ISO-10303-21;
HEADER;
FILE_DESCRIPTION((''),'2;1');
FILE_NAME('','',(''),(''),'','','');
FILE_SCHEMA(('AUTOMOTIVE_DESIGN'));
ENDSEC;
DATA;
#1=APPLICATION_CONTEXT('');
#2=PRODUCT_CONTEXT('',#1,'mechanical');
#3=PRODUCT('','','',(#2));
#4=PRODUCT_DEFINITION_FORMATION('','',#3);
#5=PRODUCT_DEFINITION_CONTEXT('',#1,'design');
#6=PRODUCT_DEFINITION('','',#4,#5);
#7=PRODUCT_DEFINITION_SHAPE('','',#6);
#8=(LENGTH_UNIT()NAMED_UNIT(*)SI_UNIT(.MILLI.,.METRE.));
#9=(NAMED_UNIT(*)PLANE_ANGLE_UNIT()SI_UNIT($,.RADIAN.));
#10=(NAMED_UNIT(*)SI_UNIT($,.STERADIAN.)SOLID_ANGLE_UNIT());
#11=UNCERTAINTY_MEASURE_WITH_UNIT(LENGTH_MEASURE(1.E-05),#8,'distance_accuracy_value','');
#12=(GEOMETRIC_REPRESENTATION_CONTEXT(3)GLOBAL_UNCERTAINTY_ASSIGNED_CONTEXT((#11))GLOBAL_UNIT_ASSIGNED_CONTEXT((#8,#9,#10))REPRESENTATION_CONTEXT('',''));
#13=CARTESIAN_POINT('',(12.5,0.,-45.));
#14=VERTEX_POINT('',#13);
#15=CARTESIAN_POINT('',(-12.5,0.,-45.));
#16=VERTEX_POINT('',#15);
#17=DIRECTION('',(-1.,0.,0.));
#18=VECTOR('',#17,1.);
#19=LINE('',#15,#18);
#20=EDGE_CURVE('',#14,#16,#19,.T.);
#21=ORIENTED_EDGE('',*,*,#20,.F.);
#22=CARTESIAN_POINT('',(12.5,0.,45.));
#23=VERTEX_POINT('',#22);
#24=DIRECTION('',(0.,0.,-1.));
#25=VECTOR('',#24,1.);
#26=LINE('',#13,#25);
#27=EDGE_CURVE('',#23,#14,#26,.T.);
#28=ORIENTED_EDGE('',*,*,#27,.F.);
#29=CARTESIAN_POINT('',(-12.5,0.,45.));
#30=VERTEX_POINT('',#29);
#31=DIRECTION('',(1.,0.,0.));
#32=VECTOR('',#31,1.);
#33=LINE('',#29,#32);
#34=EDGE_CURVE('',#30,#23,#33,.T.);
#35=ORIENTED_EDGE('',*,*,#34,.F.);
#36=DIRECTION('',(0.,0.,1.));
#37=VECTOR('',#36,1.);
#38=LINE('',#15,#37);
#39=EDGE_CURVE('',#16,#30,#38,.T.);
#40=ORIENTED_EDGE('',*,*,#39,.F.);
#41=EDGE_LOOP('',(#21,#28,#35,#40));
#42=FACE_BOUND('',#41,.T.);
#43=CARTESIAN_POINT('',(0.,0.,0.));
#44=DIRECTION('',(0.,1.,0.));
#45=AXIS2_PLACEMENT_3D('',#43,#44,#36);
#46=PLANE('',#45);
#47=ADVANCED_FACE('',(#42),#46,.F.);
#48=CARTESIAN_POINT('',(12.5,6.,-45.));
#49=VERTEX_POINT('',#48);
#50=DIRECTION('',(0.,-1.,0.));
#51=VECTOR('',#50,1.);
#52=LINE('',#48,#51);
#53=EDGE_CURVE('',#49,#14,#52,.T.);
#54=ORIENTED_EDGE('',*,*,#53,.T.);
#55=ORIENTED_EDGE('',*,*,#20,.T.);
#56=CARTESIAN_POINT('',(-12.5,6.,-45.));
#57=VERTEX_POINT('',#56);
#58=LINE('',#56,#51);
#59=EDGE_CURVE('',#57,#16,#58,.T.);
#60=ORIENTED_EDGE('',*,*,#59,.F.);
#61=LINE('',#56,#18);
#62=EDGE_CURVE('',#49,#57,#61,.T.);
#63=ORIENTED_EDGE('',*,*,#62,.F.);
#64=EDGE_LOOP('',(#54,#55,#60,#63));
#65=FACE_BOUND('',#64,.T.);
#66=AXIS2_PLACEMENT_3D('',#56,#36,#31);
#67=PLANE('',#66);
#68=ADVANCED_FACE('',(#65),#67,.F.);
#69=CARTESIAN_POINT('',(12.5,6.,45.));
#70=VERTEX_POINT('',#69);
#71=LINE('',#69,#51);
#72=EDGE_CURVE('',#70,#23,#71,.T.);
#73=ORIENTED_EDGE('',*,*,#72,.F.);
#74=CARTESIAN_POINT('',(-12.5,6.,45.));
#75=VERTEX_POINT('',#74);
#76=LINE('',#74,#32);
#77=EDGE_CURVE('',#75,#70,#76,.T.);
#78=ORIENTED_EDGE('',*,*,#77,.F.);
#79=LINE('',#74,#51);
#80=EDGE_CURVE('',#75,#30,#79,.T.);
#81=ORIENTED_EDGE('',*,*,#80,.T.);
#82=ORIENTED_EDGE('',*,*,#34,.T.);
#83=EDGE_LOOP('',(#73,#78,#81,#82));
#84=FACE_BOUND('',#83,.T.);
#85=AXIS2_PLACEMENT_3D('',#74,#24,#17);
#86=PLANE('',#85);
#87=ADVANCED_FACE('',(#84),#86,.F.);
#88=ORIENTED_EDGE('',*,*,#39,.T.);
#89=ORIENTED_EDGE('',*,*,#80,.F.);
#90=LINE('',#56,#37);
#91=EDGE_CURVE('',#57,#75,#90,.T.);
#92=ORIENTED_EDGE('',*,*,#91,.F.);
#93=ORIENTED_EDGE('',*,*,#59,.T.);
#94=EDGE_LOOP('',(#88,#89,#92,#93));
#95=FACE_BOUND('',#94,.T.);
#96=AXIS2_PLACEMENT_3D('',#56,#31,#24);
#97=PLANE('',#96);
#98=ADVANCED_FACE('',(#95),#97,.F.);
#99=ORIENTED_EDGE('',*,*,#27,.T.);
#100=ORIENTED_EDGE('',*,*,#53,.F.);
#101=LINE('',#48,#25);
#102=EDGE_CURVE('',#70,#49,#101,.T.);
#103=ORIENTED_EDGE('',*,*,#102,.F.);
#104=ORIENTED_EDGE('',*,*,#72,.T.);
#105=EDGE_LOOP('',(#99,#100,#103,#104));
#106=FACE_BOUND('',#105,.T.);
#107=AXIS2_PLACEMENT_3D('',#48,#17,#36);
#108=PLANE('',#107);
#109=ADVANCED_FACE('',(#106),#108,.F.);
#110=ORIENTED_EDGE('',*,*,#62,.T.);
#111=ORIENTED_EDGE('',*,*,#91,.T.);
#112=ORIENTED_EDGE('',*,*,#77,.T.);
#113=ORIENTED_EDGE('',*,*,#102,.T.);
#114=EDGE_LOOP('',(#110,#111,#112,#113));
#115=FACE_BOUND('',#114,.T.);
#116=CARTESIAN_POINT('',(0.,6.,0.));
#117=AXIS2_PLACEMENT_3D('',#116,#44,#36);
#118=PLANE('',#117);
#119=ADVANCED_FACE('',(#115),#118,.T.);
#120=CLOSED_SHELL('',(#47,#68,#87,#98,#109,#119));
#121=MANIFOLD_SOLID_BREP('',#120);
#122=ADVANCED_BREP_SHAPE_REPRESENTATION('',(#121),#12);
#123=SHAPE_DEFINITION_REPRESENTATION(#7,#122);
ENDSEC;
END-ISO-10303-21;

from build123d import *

# Parameters (mm, degrees)
ESBO_O1_W                = 25
ESBO_O1_H                = 90
RESSALTO_EXTRUS_O1_DEPTH = 6


with BuildPart() as part:
    # Esboço1 → Ressalto-extrusão1 (new body)
    with BuildSketch(Plane(origin=(0, 0, 0), x_dir=(1, 0, 0), z_dir=(0, 1, 0))):
        Rectangle(ESBO_O1_W, ESBO_O1_H)
    extrude(amount=RESSALTO_EXTRUS_O1_DEPTH)


solid = part.part
